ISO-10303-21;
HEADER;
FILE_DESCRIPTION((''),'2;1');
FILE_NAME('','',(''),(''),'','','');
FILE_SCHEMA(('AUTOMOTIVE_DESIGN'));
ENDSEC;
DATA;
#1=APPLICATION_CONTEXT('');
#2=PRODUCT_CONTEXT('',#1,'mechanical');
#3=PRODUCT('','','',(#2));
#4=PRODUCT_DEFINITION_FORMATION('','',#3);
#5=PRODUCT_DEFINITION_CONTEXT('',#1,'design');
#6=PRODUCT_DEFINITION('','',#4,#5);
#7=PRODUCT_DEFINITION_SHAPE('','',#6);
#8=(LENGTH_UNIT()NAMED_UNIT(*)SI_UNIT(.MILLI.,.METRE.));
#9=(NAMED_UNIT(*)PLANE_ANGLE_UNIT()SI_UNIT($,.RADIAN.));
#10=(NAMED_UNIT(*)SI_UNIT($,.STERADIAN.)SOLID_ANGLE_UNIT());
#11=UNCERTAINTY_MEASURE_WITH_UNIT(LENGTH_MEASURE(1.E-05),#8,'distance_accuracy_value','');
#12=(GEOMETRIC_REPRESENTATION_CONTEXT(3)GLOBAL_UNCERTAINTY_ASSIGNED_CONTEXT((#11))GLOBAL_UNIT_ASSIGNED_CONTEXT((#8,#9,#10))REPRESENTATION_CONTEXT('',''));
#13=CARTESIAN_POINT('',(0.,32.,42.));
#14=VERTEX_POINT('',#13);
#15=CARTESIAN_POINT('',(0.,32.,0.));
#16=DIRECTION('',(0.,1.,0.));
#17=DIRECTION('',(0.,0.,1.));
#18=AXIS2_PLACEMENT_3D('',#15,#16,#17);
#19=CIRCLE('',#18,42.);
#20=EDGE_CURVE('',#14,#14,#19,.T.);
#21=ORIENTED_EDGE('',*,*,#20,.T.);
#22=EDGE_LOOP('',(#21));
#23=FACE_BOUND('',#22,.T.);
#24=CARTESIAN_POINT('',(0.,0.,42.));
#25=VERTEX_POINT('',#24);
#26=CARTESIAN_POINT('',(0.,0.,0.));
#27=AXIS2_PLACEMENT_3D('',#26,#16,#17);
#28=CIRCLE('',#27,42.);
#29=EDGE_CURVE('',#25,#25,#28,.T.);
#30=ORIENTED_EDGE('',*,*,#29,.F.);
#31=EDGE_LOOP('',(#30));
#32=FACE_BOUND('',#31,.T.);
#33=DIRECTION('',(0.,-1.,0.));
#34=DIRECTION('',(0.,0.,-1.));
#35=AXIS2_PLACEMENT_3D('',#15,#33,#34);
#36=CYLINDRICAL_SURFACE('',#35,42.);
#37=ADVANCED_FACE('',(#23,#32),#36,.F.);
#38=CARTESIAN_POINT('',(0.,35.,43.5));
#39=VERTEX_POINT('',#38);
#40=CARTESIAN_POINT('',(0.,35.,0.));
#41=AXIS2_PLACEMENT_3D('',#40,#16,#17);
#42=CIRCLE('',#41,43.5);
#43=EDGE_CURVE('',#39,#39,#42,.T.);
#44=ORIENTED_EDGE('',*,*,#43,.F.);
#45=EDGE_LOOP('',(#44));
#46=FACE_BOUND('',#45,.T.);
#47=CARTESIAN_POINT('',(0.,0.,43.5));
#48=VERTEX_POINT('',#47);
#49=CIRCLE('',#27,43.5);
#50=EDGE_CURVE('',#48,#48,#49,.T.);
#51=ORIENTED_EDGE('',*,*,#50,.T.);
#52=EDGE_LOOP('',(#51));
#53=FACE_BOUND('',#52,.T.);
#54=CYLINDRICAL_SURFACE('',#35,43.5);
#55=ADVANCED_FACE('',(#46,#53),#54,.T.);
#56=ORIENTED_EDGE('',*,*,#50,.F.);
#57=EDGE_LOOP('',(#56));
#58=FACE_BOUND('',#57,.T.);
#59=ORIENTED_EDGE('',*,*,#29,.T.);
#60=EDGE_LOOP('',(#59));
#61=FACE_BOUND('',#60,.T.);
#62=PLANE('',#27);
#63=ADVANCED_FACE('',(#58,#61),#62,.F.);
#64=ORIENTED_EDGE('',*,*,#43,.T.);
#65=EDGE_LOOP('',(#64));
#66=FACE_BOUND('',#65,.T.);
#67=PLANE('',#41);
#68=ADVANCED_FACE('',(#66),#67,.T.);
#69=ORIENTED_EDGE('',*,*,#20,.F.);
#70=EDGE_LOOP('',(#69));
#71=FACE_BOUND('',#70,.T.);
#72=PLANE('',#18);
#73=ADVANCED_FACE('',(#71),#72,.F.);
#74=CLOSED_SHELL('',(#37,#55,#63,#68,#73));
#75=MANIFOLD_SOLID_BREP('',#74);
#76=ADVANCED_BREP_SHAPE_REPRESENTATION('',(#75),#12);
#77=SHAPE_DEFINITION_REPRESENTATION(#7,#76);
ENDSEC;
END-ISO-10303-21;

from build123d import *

# Parameters (mm, degrees)
SKETCH1_R           = 43.5
SKETCH1_R_2         = 42
BOSS_EXTRUDE1_DEPTH = 32
SKETCH2_R           = 43.5
BOSS_EXTRUDE2_DEPTH = 3


with BuildPart() as part:
    # Sketch1 → Boss-Extrude1 (new body)
    with BuildSketch(Plane(origin=(0, 0, 0), x_dir=(1, 0, 0), z_dir=(0, 1, 0))):
        with Locations(Location((0, 0, 0), (0, 0, 270))):
            Circle(SKETCH1_R)
        with Locations(Location((0, 0, 0), (0, 0, 270))):
            Circle(SKETCH1_R_2, mode=Mode.SUBTRACT)
    extrude(amount=BOSS_EXTRUDE1_DEPTH)

    # Sketch2 → Boss-Extrude2 (add)
    with BuildSketch(Plane(origin=(0, 32, 0), x_dir=(1, 0, 0), z_dir=(0, 1, 0))):
        with Locations(Location((0, 0, 0), (0, 0, 270))):
            Circle(SKETCH2_R)
    extrude(amount=BOSS_EXTRUDE2_DEPTH)


solid = part.part
